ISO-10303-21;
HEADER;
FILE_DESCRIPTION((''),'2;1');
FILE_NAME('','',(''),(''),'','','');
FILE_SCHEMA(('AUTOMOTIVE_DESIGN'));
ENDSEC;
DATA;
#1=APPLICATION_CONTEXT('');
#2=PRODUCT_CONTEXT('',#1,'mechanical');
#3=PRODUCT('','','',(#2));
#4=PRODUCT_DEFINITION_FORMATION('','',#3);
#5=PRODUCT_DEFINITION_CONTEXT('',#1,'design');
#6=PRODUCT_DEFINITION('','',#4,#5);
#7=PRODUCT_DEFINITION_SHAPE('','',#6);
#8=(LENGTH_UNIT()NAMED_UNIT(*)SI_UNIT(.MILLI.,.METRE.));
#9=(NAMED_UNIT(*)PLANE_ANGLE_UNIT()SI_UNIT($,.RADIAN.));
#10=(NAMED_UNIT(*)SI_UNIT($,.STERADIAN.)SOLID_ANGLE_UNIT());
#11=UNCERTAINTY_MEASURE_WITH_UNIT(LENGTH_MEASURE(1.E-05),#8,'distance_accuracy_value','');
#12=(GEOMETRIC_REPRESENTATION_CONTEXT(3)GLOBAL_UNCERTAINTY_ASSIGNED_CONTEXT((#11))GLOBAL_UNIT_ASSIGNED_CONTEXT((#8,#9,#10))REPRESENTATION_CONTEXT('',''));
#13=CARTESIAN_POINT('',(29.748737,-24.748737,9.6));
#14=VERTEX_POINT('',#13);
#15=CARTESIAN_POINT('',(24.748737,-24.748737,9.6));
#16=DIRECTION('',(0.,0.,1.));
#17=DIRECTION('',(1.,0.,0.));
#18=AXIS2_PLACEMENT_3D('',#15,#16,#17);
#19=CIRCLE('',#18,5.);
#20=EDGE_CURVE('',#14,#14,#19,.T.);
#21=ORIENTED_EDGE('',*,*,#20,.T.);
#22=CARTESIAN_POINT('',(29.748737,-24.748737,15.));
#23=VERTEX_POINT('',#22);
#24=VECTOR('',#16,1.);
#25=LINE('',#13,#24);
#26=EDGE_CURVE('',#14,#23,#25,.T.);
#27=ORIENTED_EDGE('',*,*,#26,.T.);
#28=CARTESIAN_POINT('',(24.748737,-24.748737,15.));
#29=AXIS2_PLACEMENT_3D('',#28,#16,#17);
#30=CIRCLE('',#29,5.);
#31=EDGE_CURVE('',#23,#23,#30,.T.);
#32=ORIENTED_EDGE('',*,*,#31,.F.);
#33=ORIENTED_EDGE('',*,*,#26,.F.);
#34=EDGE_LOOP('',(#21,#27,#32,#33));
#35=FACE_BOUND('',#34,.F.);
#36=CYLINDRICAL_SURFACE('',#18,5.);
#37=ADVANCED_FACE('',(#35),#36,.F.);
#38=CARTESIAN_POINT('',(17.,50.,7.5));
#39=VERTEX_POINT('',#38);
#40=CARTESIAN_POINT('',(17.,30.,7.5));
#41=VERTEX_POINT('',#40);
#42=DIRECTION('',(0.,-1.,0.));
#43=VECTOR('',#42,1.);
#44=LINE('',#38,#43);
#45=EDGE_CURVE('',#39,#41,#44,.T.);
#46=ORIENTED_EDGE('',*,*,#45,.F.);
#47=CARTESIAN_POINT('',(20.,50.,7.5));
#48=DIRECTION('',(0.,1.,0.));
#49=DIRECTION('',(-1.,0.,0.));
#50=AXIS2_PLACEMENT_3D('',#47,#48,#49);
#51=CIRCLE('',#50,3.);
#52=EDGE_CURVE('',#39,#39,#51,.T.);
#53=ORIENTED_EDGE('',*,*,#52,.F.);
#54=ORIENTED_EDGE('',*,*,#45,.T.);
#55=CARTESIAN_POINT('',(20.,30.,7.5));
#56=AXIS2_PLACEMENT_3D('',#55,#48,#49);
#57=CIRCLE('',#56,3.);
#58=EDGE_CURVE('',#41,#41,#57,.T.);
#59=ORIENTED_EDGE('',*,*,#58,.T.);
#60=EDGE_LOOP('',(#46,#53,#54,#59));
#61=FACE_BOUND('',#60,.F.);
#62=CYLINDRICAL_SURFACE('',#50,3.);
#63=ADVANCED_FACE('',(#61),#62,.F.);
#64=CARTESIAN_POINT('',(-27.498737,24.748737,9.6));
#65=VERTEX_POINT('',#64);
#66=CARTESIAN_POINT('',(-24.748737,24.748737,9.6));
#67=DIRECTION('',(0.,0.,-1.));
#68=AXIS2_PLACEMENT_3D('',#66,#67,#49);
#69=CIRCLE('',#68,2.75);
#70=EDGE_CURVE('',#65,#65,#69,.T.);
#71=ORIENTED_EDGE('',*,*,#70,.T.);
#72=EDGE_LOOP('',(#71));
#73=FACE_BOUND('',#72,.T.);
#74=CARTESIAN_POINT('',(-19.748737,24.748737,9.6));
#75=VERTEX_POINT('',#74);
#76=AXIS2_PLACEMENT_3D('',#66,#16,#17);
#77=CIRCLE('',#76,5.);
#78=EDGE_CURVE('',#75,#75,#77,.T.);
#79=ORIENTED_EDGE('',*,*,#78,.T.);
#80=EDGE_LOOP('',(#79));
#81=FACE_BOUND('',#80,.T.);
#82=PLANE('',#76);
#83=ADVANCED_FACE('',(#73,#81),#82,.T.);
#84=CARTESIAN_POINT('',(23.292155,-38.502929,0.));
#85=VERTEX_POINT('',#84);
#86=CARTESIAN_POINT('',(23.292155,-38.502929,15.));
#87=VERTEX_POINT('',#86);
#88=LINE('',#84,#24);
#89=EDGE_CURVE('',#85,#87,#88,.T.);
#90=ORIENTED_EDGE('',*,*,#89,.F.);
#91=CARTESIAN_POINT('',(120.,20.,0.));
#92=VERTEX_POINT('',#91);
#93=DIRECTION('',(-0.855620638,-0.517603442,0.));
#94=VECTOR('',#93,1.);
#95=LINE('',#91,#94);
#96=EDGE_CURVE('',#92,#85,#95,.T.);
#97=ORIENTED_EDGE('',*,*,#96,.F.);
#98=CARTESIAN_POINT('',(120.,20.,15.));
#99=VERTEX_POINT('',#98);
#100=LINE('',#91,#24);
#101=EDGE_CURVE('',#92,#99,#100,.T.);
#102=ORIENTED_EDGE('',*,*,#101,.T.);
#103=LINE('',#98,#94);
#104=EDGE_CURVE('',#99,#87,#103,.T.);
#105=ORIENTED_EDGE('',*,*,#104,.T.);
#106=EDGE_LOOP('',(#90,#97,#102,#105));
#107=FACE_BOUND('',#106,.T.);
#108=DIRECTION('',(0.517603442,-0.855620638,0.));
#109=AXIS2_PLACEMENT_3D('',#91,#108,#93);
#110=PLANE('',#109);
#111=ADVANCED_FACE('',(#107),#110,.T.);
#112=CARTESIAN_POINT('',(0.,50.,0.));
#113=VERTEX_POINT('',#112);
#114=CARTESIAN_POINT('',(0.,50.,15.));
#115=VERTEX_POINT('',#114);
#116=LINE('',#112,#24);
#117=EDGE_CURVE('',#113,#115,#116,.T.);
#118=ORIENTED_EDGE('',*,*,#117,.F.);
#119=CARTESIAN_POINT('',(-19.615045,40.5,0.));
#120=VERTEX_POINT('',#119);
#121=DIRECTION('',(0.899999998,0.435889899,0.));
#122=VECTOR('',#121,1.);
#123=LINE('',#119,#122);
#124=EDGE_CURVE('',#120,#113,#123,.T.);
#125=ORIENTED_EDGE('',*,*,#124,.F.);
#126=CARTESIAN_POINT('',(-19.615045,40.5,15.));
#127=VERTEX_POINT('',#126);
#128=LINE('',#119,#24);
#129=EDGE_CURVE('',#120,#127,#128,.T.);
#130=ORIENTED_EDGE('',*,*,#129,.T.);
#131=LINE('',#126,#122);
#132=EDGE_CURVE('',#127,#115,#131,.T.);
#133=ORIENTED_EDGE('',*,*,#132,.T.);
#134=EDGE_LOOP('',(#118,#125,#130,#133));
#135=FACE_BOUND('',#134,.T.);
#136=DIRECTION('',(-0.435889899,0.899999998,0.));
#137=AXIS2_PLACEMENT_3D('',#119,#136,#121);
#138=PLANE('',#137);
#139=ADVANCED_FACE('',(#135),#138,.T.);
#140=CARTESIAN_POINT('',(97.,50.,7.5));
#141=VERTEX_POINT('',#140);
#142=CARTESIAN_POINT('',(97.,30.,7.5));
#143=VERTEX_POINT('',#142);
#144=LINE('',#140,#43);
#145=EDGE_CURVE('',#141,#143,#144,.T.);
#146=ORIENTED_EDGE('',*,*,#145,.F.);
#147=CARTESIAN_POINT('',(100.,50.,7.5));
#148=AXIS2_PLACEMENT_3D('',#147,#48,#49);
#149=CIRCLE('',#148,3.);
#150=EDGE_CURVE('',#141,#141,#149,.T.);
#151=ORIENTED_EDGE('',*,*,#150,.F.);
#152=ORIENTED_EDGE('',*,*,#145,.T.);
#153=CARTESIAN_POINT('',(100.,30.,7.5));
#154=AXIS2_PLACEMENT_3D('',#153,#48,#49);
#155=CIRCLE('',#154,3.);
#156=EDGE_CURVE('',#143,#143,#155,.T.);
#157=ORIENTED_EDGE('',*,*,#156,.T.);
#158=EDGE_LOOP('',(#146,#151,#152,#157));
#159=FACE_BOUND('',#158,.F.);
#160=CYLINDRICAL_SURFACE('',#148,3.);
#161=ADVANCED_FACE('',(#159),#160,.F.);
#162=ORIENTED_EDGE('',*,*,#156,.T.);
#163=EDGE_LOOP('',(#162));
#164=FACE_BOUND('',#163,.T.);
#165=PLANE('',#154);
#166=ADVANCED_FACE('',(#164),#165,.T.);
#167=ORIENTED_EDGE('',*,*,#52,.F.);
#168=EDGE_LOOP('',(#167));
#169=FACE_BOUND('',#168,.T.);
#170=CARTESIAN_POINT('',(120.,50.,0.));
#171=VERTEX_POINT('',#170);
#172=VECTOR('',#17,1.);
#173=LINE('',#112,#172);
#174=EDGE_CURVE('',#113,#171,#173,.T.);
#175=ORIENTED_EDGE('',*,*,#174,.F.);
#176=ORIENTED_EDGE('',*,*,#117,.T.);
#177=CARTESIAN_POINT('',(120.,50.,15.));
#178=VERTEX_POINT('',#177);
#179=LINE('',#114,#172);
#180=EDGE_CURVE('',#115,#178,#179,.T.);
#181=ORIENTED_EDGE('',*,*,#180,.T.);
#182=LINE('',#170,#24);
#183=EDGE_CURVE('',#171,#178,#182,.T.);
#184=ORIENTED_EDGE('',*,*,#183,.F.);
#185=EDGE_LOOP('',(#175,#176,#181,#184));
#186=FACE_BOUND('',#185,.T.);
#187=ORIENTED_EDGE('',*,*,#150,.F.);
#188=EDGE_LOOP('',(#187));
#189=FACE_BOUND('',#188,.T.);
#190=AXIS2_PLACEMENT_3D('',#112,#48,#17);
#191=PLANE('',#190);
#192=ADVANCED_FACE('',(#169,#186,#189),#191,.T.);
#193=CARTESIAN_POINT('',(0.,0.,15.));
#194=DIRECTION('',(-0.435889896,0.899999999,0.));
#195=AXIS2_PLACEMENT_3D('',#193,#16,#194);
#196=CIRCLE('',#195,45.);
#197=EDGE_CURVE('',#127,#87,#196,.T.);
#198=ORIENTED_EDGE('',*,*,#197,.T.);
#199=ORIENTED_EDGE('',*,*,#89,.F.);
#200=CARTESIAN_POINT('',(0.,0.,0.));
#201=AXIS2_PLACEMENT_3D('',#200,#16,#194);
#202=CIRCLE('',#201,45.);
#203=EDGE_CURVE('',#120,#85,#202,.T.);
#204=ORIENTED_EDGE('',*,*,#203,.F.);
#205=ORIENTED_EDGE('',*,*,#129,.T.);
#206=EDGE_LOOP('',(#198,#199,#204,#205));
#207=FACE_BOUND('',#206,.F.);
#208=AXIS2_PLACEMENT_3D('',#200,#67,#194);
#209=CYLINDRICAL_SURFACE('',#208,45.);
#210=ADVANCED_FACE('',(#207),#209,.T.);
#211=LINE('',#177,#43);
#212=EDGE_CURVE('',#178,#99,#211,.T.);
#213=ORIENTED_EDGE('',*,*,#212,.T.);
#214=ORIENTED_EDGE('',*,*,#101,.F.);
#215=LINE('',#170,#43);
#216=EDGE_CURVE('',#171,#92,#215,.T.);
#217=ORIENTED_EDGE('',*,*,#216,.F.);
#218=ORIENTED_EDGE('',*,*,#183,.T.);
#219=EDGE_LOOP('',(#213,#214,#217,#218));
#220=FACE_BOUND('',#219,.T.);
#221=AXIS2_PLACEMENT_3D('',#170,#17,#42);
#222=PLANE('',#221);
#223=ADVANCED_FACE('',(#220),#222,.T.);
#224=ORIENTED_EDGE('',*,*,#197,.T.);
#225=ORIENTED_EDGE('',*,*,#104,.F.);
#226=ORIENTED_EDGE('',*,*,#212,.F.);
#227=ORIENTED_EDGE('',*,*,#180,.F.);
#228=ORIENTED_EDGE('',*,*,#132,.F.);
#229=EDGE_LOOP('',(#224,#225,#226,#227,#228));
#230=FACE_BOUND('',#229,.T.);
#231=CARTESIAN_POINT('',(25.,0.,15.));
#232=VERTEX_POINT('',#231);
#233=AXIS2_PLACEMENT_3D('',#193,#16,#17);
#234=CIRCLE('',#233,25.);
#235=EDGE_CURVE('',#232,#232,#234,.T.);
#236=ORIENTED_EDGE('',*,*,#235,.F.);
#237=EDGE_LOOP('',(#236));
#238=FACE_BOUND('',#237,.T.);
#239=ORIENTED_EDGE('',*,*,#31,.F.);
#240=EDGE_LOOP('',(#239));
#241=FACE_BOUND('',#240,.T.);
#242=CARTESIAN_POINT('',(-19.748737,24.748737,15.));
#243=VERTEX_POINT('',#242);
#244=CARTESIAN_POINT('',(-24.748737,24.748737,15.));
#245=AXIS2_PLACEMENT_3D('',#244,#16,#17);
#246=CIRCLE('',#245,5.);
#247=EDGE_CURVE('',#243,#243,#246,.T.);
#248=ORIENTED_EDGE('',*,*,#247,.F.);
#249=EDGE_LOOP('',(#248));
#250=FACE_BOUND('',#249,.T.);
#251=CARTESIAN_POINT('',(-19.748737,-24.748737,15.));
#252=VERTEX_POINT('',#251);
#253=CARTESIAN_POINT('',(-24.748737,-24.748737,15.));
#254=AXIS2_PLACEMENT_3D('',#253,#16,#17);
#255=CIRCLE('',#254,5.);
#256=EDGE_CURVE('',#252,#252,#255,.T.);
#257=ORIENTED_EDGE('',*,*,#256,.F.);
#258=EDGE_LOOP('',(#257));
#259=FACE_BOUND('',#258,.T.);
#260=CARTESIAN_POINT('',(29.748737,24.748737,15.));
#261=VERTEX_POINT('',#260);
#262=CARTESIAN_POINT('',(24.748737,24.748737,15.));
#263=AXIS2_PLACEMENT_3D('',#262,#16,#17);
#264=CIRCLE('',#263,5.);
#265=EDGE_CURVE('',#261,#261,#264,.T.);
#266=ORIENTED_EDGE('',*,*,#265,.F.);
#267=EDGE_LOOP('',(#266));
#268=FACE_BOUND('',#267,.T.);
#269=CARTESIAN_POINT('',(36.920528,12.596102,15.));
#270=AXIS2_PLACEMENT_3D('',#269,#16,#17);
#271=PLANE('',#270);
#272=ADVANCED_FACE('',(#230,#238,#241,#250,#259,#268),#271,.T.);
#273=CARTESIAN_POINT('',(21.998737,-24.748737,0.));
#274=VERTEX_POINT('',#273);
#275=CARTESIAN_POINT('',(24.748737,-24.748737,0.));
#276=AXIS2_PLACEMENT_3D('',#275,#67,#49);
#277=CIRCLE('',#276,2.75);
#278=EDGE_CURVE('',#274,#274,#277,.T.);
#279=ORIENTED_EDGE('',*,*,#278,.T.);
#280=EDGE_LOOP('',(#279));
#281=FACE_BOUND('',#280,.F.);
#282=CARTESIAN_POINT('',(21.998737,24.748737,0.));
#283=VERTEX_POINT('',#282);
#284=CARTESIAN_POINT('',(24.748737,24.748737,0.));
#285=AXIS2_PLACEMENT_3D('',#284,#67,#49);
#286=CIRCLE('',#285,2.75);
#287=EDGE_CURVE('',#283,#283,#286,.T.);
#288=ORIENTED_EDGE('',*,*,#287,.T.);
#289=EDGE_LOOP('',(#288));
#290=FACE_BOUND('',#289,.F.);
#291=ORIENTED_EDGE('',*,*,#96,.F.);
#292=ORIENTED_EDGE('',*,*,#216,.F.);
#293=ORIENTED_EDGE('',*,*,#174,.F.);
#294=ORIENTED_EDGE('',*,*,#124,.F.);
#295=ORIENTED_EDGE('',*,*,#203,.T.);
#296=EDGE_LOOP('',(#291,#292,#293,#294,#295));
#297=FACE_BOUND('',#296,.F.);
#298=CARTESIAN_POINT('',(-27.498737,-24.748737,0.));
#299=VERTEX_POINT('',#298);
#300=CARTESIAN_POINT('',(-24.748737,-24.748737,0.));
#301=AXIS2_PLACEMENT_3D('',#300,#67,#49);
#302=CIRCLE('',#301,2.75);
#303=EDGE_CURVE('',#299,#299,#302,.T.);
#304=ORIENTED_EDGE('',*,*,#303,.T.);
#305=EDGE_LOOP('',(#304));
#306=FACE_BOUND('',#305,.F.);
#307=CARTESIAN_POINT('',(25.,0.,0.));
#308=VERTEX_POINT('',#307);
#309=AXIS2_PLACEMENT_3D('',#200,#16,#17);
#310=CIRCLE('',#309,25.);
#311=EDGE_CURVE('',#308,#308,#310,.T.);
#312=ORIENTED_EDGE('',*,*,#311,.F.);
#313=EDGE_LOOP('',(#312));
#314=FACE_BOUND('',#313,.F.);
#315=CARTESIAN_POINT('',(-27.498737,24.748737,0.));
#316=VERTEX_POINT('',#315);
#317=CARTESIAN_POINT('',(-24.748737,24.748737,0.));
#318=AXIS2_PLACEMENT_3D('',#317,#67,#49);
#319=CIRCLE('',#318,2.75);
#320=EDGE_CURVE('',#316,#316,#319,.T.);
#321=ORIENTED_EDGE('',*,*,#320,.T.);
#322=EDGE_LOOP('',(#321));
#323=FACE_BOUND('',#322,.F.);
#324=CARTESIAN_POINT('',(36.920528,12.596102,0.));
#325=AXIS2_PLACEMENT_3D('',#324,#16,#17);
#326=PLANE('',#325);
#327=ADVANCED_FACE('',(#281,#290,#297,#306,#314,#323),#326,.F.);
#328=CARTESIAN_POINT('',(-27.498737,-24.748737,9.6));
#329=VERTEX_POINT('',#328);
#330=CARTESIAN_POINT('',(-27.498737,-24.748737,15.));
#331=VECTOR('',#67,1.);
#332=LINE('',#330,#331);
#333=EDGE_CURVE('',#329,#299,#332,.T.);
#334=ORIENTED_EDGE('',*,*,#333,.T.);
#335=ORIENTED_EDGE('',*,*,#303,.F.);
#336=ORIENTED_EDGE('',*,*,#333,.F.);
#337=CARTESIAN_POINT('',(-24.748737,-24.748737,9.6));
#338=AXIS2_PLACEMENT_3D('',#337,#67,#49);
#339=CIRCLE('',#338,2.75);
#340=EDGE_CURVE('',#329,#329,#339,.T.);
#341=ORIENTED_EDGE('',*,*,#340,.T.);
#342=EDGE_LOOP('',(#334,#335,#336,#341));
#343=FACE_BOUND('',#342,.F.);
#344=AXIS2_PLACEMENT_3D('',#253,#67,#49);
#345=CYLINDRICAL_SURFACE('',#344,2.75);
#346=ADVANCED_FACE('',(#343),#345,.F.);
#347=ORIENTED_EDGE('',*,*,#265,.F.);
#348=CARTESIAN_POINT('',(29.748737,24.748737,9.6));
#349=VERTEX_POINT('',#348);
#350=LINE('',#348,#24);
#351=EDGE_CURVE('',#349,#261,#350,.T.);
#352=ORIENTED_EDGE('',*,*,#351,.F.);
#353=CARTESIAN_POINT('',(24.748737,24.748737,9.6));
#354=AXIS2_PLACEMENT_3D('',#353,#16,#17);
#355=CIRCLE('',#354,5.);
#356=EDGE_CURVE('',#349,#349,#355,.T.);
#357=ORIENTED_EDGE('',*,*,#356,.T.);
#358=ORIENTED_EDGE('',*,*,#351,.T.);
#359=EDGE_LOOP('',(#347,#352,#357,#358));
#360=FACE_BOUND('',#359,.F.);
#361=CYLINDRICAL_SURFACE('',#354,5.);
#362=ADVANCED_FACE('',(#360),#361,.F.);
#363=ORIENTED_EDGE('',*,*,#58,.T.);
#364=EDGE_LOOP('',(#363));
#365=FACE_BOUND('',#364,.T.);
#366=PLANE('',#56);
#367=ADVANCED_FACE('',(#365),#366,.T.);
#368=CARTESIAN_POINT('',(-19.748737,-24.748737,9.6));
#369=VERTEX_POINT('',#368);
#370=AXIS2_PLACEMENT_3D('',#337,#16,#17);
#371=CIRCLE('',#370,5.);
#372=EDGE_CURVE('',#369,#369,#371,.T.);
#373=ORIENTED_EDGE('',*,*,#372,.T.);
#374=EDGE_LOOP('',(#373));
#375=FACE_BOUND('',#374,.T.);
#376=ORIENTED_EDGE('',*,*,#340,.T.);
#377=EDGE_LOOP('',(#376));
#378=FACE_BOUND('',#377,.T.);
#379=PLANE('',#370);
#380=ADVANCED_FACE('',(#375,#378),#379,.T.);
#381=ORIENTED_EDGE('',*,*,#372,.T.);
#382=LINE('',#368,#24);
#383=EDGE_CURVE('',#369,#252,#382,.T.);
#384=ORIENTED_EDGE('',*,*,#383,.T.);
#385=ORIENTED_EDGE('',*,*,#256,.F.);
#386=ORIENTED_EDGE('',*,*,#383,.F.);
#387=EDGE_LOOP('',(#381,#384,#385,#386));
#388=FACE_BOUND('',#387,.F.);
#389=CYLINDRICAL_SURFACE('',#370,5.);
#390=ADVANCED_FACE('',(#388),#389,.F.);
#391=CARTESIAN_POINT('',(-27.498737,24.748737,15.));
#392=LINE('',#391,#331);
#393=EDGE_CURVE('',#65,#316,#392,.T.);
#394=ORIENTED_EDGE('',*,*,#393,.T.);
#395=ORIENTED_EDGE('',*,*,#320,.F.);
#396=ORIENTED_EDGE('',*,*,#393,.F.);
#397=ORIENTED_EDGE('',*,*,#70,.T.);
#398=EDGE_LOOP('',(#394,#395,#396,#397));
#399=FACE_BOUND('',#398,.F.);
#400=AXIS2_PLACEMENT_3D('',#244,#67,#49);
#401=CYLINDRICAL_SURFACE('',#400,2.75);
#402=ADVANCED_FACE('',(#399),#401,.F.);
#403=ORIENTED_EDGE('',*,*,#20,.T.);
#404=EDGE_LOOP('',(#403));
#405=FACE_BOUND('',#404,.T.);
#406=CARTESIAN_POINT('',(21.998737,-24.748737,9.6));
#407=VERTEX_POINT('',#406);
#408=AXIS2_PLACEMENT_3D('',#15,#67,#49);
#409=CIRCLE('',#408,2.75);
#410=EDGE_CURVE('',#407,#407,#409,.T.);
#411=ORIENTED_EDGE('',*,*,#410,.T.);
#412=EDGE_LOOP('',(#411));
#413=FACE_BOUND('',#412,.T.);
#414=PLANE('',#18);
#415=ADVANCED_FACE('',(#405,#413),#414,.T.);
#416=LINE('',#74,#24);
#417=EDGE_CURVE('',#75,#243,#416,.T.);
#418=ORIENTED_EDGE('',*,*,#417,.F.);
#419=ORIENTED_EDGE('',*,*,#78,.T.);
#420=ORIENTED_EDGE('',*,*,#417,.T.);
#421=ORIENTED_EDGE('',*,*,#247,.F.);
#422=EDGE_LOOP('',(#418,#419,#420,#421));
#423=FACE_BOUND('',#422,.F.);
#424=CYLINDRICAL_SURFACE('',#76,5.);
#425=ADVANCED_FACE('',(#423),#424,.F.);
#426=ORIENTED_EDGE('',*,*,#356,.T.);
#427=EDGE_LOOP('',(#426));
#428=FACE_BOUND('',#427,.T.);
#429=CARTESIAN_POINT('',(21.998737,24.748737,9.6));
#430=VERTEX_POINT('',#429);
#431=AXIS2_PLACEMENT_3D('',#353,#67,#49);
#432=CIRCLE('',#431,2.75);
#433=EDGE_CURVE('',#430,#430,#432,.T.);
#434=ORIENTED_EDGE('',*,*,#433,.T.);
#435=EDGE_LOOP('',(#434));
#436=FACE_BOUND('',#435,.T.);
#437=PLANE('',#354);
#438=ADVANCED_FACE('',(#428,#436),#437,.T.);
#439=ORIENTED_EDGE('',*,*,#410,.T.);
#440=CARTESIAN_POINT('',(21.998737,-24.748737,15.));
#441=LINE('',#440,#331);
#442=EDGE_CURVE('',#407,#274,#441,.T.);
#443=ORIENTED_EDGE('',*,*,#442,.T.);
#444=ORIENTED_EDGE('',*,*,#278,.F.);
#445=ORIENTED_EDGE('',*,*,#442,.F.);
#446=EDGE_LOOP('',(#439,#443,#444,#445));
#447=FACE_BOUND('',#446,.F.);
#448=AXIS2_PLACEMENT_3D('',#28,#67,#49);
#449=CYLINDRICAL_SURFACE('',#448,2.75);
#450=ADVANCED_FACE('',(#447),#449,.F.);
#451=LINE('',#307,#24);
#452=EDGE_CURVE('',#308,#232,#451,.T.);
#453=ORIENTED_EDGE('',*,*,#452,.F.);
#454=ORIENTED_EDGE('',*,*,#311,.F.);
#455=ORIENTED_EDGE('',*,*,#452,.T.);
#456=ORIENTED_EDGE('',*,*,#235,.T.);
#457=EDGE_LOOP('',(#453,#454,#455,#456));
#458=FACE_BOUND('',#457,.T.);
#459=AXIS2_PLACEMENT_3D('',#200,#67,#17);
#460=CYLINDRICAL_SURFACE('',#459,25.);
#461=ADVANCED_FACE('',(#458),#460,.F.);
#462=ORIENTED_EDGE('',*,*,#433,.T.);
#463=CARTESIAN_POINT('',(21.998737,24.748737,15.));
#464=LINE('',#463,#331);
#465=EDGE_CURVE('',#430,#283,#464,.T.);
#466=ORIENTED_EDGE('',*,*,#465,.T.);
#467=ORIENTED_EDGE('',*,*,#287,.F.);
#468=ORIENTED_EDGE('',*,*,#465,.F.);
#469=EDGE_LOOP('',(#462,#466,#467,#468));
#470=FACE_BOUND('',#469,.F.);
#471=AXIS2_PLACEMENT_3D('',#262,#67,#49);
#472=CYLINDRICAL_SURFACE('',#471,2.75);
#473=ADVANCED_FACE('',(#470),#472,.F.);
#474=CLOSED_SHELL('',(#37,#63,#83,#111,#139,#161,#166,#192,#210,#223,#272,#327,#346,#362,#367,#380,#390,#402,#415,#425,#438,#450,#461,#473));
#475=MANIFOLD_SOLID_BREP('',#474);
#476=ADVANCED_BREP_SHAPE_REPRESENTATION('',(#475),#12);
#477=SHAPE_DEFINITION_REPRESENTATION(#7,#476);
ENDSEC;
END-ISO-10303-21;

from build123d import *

# Parameters (mm, degrees)
SKETCH_R         = 25
PAD_DEPTH        = 15
HOLE_D           = 5.5
HOLE_DEPTH       = 25
HOLE_CBORE_D     = 10
HOLE_CBORE_DEPTH = 5.4
SKETCH002_R      = 3
POCKET_DEPTH     = 20


with BuildPart() as part:
    # Sketch → Pad (new body)
    with BuildSketch(Plane.XY):
        with BuildLine():
            ThreePointArc((-19.615045, 40.5), (-39.544228, -21.476825), (23.292155, -38.502929))
            Line((120, 20), (23.292155, -38.502929))
            Line((120, 50), (120, 20))
            Line((0, 50), (120, 50))
            Line((-19.615045, 40.5), (0, 50))
        make_face()
        Circle(SKETCH_R, mode=Mode.SUBTRACT)
    extrude(amount=PAD_DEPTH)

    # Hole
    with Locations(Plane.XY.offset(15)):
        with Locations((24.748737, 24.748737), (24.748737, -24.748737), (-24.748737, -24.748737), (-24.748737, 24.748737)):
            CounterBoreHole(HOLE_D / 2, HOLE_CBORE_D / 2, HOLE_CBORE_DEPTH, depth=HOLE_DEPTH)

    # Sketch002 (on Face6 of Hole) → Pocket (cut)
    with BuildSketch(Plane(origin=(0, 50, 0), x_dir=(-1, 0, 0), z_dir=(0, 1, 0))):
        with Locations((-100, 7.5)):
            Circle(SKETCH002_R)
        with Locations((-20, 7.5)):
            Circle(SKETCH002_R)
    extrude(amount=-POCKET_DEPTH, mode=Mode.SUBTRACT)


solid = part.part
